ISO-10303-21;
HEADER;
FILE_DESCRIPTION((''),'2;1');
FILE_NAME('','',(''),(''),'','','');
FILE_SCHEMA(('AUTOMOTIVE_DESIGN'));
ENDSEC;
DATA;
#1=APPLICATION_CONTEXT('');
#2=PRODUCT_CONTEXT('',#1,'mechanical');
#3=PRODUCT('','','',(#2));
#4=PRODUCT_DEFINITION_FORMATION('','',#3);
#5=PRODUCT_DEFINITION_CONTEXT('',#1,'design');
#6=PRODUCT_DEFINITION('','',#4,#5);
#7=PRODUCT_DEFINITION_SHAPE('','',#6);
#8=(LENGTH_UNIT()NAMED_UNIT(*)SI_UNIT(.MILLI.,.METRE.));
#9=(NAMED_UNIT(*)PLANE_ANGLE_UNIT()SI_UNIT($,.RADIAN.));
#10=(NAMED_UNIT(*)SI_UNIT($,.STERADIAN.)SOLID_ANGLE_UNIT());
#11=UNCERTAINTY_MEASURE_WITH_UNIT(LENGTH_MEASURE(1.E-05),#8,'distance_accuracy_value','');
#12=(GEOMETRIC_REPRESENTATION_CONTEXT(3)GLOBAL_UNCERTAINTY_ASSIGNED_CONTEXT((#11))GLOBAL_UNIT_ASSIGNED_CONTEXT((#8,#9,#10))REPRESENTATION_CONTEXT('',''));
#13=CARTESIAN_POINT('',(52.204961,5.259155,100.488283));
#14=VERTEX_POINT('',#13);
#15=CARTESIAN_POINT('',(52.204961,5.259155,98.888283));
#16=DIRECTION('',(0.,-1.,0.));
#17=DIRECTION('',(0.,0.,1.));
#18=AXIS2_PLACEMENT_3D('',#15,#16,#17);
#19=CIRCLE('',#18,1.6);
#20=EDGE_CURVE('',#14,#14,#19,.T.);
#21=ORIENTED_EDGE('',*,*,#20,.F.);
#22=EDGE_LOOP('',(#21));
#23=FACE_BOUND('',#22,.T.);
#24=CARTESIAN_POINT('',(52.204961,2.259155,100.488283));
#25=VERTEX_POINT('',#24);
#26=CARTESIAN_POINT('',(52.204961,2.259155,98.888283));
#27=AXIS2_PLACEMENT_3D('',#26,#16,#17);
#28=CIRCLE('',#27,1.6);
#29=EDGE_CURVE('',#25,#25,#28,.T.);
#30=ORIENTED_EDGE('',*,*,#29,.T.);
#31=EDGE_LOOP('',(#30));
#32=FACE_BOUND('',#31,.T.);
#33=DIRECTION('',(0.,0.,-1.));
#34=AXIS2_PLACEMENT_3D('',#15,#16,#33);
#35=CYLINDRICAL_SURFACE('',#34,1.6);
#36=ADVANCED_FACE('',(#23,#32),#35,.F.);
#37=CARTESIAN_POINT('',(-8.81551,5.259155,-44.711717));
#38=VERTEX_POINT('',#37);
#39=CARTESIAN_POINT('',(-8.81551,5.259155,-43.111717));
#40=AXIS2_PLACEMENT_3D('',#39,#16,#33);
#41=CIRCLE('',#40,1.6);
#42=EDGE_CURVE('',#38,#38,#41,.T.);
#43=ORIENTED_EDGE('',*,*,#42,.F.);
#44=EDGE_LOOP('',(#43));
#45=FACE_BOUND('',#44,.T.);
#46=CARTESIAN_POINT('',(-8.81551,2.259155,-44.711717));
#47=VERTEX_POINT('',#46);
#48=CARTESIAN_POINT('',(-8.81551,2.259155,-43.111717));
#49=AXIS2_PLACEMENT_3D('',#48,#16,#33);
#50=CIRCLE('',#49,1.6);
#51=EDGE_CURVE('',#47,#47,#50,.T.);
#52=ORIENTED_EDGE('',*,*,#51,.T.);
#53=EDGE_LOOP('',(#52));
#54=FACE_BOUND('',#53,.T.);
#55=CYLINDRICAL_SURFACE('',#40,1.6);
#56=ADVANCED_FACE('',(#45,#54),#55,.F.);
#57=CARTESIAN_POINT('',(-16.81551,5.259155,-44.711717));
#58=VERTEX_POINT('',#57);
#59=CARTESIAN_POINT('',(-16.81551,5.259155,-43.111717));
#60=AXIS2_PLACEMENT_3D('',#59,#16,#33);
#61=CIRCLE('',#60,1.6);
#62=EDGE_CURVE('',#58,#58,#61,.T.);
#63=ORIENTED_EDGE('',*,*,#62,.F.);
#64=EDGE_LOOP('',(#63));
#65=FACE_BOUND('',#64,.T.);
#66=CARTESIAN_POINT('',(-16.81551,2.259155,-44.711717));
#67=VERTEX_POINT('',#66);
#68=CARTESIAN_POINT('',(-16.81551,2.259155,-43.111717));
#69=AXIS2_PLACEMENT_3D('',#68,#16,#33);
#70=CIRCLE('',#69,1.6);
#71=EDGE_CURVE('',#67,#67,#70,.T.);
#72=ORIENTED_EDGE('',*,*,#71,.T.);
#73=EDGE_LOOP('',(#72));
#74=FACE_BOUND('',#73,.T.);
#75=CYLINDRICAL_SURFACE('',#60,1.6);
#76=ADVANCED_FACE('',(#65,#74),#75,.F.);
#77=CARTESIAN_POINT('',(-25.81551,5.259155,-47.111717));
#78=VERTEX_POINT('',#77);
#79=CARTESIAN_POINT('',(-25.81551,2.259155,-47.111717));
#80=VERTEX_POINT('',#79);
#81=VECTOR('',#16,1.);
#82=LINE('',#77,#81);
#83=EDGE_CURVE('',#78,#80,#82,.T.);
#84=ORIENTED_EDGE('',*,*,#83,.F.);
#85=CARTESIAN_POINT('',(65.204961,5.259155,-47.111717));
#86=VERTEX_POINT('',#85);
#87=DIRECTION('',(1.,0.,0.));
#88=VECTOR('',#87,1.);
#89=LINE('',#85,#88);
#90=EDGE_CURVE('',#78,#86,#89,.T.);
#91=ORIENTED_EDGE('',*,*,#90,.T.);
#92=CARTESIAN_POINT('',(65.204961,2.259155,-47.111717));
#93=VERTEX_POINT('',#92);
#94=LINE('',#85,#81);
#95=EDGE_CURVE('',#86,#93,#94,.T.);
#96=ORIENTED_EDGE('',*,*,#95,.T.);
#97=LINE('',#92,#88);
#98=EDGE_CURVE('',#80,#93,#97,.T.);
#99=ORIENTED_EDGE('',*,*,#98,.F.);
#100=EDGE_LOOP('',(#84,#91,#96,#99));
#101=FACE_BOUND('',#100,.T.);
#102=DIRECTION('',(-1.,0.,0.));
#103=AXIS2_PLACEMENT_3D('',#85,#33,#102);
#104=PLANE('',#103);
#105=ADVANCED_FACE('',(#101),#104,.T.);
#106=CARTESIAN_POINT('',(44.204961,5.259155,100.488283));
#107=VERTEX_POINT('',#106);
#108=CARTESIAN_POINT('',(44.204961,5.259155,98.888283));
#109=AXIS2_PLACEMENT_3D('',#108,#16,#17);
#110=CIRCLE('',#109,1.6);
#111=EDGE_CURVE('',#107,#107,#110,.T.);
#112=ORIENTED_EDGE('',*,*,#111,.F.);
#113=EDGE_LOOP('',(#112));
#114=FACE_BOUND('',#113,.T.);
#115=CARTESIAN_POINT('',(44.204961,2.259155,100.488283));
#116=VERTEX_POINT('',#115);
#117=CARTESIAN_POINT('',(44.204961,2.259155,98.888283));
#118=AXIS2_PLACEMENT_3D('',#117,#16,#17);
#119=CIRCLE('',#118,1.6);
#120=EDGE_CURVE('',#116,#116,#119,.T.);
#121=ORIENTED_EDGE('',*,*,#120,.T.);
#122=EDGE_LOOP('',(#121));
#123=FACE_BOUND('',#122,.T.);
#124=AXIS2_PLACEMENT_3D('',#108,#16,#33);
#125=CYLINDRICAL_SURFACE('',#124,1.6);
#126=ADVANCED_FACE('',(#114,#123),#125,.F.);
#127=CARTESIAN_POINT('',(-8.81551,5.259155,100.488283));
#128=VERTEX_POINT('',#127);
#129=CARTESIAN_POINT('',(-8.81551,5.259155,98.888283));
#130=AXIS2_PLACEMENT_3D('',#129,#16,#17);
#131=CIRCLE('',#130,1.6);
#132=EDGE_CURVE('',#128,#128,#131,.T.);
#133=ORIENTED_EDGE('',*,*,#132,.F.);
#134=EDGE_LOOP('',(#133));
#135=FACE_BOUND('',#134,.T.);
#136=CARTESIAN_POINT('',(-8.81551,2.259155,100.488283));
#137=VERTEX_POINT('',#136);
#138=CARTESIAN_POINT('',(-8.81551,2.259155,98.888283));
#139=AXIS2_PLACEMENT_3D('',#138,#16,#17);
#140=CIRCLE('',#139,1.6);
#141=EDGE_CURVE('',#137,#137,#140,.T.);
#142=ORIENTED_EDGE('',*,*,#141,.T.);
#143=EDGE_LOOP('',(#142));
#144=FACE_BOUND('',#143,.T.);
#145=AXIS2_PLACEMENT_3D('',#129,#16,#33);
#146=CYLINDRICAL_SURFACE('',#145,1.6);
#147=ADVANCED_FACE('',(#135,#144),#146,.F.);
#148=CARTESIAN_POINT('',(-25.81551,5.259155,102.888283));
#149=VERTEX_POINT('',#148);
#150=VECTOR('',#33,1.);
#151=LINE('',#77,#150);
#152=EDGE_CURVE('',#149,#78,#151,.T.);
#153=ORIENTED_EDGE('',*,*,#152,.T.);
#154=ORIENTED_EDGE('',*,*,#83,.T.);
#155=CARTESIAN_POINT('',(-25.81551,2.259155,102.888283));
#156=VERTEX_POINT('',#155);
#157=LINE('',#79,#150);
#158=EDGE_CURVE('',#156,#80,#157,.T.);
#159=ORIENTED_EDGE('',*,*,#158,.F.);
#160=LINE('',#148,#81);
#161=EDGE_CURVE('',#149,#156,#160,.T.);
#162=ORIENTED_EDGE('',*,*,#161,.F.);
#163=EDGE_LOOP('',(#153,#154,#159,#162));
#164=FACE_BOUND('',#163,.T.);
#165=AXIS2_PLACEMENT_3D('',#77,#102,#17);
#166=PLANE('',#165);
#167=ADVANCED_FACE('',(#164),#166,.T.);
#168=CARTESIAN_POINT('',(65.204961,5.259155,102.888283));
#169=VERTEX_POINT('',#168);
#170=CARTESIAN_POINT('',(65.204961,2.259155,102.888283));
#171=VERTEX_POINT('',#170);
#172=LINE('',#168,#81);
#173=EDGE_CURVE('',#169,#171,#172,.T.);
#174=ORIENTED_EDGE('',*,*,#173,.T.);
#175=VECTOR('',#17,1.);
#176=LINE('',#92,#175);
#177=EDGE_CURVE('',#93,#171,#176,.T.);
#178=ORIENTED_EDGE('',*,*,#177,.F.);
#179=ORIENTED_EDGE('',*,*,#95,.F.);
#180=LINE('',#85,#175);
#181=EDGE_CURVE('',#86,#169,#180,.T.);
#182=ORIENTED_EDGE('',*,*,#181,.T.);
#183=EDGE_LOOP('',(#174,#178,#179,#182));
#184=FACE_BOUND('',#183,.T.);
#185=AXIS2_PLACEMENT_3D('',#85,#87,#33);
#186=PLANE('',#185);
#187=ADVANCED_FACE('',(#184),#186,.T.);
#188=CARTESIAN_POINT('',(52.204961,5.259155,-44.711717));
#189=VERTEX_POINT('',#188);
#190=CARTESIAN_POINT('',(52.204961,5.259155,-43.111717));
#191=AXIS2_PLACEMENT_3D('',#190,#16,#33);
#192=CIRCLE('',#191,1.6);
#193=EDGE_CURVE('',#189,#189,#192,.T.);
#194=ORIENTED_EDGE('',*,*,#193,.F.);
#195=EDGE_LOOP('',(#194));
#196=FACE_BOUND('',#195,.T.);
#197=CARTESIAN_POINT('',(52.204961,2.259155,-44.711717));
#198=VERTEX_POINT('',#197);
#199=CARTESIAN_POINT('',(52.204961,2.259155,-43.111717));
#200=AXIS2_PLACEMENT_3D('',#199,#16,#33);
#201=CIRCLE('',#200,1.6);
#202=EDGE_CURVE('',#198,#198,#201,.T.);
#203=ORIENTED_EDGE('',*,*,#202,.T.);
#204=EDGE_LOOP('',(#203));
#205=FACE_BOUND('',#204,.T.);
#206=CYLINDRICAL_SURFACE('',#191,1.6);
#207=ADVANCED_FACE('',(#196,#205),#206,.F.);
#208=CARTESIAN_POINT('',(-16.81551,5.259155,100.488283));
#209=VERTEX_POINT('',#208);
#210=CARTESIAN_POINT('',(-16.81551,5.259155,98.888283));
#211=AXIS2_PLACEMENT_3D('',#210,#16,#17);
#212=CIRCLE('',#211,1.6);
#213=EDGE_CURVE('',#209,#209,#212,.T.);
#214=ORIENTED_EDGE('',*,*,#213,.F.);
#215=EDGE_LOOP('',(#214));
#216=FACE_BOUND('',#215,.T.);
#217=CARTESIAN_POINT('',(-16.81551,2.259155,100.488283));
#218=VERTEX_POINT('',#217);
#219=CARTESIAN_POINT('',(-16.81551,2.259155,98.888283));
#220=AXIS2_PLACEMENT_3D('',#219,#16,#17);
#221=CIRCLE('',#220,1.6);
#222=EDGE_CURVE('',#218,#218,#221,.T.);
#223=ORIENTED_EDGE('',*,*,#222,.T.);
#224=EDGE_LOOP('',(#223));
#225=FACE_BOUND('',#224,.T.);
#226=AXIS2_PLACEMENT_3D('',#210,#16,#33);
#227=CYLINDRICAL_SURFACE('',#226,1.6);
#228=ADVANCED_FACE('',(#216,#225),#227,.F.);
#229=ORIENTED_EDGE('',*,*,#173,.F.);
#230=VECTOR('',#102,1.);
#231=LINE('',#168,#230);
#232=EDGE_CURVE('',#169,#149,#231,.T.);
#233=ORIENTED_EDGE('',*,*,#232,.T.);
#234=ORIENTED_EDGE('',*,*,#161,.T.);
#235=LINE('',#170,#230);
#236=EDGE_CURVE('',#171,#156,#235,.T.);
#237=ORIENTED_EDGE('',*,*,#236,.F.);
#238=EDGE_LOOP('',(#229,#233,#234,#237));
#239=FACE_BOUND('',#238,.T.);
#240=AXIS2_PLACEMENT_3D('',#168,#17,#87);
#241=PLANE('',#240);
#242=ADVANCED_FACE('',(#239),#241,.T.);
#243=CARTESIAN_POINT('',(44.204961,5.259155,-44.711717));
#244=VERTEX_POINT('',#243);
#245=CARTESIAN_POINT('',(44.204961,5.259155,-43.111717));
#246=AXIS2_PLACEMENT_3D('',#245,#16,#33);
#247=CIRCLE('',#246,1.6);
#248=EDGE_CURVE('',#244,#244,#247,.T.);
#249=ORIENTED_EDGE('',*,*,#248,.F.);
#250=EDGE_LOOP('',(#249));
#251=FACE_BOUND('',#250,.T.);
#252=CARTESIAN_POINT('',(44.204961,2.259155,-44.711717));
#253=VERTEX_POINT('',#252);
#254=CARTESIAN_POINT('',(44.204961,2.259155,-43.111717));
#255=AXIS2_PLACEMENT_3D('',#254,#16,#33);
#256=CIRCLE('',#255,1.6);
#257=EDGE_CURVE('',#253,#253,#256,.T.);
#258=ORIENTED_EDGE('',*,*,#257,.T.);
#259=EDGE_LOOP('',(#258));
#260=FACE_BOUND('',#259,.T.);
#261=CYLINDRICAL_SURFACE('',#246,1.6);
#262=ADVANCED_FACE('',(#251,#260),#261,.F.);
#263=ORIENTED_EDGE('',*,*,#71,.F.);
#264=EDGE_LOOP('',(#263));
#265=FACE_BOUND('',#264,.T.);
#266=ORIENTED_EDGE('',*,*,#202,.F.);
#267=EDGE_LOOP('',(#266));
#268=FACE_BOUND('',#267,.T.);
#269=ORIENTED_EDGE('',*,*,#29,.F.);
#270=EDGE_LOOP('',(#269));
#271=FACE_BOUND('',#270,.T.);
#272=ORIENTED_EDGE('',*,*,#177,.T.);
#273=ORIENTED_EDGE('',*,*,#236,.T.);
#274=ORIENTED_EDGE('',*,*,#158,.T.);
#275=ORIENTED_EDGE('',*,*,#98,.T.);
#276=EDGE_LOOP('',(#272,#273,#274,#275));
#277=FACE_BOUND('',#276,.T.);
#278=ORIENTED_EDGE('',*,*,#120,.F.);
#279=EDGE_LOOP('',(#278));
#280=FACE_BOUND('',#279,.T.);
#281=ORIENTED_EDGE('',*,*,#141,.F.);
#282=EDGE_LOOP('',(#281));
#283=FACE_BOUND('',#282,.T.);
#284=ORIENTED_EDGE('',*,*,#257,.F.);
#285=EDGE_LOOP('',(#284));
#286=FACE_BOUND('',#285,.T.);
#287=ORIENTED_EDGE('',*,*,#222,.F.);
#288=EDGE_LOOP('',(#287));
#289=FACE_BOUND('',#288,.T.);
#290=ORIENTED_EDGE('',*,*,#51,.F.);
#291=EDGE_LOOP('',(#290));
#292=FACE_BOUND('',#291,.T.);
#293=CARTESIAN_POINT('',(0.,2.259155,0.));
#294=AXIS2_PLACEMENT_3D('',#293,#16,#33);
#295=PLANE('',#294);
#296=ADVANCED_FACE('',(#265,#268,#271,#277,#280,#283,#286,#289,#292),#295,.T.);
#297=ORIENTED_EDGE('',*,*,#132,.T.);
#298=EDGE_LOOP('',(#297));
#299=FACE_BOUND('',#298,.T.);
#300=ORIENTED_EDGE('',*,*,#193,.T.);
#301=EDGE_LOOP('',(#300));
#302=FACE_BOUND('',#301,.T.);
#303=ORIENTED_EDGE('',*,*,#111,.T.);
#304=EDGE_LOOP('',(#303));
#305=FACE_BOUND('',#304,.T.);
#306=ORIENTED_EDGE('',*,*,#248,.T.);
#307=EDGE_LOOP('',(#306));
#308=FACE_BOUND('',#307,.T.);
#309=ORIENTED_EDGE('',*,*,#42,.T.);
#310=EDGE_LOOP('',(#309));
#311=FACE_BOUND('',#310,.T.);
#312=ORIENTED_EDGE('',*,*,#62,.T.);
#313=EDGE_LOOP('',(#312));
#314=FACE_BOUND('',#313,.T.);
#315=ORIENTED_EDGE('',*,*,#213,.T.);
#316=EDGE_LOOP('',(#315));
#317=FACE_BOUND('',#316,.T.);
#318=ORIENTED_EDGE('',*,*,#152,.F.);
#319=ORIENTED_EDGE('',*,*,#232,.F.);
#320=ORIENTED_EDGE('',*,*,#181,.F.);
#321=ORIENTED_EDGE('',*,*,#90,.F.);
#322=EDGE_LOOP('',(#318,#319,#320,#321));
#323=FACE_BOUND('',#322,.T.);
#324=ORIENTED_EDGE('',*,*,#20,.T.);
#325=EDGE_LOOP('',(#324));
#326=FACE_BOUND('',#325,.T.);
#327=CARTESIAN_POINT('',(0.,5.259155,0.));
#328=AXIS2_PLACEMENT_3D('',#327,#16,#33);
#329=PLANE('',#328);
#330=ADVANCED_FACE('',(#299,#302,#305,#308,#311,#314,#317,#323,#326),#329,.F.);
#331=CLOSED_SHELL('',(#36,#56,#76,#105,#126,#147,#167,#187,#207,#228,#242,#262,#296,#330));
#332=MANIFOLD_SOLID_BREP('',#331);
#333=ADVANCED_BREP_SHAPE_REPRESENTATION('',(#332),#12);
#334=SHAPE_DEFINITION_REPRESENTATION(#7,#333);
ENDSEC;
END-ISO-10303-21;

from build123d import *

# Parameters (mm, degrees)
SKETCH_1_W      = 91.020470937
SKETCH_1_H      = 150
SKETCH_1_R      = 1.6
EXTRUDE_1_DEPTH = 3


with BuildPart() as part:
    # 草图1 → 凸台-拉伸1 (new body)
    with BuildSketch(Plane.XZ.offset(-2.259155248)):
        with Locations((19.694725206, 27.888283405)):
            Rectangle(SKETCH_1_W, SKETCH_1_H)
        with Locations(Location((44.204960674, -43.111716595, 0), (0, 0, 270))):
            Circle(SKETCH_1_R, mode=Mode.SUBTRACT)
        with Locations(Location((52.204960674, -43.111716595, 0), (0, 0, 270))):
            Circle(SKETCH_1_R, mode=Mode.SUBTRACT)
        with Locations(Location((52.204960674, 98.888283405, 0), (0, 0, 90))):
            Circle(SKETCH_1_R, mode=Mode.SUBTRACT)
        with Locations(Location((44.204960674, 98.888283405, 0), (0, 0, 90))):
            Circle(SKETCH_1_R, mode=Mode.SUBTRACT)
        with Locations(Location((-16.815510263, -43.111716595, 0), (0, 0, 270))):
            Circle(SKETCH_1_R, mode=Mode.SUBTRACT)
        with Locations(Location((-8.815510263, -43.111716595, 0), (0, 0, 270))):
            Circle(SKETCH_1_R, mode=Mode.SUBTRACT)
        with Locations(Location((-8.815510263, 98.888283405, 0), (0, 0, 90))):
            Circle(SKETCH_1_R, mode=Mode.SUBTRACT)
        with Locations(Location((-16.815510263, 98.888283405, 0), (0, 0, 90))):
            Circle(SKETCH_1_R, mode=Mode.SUBTRACT)
    extrude(amount=-EXTRUDE_1_DEPTH)


solid = part.part
